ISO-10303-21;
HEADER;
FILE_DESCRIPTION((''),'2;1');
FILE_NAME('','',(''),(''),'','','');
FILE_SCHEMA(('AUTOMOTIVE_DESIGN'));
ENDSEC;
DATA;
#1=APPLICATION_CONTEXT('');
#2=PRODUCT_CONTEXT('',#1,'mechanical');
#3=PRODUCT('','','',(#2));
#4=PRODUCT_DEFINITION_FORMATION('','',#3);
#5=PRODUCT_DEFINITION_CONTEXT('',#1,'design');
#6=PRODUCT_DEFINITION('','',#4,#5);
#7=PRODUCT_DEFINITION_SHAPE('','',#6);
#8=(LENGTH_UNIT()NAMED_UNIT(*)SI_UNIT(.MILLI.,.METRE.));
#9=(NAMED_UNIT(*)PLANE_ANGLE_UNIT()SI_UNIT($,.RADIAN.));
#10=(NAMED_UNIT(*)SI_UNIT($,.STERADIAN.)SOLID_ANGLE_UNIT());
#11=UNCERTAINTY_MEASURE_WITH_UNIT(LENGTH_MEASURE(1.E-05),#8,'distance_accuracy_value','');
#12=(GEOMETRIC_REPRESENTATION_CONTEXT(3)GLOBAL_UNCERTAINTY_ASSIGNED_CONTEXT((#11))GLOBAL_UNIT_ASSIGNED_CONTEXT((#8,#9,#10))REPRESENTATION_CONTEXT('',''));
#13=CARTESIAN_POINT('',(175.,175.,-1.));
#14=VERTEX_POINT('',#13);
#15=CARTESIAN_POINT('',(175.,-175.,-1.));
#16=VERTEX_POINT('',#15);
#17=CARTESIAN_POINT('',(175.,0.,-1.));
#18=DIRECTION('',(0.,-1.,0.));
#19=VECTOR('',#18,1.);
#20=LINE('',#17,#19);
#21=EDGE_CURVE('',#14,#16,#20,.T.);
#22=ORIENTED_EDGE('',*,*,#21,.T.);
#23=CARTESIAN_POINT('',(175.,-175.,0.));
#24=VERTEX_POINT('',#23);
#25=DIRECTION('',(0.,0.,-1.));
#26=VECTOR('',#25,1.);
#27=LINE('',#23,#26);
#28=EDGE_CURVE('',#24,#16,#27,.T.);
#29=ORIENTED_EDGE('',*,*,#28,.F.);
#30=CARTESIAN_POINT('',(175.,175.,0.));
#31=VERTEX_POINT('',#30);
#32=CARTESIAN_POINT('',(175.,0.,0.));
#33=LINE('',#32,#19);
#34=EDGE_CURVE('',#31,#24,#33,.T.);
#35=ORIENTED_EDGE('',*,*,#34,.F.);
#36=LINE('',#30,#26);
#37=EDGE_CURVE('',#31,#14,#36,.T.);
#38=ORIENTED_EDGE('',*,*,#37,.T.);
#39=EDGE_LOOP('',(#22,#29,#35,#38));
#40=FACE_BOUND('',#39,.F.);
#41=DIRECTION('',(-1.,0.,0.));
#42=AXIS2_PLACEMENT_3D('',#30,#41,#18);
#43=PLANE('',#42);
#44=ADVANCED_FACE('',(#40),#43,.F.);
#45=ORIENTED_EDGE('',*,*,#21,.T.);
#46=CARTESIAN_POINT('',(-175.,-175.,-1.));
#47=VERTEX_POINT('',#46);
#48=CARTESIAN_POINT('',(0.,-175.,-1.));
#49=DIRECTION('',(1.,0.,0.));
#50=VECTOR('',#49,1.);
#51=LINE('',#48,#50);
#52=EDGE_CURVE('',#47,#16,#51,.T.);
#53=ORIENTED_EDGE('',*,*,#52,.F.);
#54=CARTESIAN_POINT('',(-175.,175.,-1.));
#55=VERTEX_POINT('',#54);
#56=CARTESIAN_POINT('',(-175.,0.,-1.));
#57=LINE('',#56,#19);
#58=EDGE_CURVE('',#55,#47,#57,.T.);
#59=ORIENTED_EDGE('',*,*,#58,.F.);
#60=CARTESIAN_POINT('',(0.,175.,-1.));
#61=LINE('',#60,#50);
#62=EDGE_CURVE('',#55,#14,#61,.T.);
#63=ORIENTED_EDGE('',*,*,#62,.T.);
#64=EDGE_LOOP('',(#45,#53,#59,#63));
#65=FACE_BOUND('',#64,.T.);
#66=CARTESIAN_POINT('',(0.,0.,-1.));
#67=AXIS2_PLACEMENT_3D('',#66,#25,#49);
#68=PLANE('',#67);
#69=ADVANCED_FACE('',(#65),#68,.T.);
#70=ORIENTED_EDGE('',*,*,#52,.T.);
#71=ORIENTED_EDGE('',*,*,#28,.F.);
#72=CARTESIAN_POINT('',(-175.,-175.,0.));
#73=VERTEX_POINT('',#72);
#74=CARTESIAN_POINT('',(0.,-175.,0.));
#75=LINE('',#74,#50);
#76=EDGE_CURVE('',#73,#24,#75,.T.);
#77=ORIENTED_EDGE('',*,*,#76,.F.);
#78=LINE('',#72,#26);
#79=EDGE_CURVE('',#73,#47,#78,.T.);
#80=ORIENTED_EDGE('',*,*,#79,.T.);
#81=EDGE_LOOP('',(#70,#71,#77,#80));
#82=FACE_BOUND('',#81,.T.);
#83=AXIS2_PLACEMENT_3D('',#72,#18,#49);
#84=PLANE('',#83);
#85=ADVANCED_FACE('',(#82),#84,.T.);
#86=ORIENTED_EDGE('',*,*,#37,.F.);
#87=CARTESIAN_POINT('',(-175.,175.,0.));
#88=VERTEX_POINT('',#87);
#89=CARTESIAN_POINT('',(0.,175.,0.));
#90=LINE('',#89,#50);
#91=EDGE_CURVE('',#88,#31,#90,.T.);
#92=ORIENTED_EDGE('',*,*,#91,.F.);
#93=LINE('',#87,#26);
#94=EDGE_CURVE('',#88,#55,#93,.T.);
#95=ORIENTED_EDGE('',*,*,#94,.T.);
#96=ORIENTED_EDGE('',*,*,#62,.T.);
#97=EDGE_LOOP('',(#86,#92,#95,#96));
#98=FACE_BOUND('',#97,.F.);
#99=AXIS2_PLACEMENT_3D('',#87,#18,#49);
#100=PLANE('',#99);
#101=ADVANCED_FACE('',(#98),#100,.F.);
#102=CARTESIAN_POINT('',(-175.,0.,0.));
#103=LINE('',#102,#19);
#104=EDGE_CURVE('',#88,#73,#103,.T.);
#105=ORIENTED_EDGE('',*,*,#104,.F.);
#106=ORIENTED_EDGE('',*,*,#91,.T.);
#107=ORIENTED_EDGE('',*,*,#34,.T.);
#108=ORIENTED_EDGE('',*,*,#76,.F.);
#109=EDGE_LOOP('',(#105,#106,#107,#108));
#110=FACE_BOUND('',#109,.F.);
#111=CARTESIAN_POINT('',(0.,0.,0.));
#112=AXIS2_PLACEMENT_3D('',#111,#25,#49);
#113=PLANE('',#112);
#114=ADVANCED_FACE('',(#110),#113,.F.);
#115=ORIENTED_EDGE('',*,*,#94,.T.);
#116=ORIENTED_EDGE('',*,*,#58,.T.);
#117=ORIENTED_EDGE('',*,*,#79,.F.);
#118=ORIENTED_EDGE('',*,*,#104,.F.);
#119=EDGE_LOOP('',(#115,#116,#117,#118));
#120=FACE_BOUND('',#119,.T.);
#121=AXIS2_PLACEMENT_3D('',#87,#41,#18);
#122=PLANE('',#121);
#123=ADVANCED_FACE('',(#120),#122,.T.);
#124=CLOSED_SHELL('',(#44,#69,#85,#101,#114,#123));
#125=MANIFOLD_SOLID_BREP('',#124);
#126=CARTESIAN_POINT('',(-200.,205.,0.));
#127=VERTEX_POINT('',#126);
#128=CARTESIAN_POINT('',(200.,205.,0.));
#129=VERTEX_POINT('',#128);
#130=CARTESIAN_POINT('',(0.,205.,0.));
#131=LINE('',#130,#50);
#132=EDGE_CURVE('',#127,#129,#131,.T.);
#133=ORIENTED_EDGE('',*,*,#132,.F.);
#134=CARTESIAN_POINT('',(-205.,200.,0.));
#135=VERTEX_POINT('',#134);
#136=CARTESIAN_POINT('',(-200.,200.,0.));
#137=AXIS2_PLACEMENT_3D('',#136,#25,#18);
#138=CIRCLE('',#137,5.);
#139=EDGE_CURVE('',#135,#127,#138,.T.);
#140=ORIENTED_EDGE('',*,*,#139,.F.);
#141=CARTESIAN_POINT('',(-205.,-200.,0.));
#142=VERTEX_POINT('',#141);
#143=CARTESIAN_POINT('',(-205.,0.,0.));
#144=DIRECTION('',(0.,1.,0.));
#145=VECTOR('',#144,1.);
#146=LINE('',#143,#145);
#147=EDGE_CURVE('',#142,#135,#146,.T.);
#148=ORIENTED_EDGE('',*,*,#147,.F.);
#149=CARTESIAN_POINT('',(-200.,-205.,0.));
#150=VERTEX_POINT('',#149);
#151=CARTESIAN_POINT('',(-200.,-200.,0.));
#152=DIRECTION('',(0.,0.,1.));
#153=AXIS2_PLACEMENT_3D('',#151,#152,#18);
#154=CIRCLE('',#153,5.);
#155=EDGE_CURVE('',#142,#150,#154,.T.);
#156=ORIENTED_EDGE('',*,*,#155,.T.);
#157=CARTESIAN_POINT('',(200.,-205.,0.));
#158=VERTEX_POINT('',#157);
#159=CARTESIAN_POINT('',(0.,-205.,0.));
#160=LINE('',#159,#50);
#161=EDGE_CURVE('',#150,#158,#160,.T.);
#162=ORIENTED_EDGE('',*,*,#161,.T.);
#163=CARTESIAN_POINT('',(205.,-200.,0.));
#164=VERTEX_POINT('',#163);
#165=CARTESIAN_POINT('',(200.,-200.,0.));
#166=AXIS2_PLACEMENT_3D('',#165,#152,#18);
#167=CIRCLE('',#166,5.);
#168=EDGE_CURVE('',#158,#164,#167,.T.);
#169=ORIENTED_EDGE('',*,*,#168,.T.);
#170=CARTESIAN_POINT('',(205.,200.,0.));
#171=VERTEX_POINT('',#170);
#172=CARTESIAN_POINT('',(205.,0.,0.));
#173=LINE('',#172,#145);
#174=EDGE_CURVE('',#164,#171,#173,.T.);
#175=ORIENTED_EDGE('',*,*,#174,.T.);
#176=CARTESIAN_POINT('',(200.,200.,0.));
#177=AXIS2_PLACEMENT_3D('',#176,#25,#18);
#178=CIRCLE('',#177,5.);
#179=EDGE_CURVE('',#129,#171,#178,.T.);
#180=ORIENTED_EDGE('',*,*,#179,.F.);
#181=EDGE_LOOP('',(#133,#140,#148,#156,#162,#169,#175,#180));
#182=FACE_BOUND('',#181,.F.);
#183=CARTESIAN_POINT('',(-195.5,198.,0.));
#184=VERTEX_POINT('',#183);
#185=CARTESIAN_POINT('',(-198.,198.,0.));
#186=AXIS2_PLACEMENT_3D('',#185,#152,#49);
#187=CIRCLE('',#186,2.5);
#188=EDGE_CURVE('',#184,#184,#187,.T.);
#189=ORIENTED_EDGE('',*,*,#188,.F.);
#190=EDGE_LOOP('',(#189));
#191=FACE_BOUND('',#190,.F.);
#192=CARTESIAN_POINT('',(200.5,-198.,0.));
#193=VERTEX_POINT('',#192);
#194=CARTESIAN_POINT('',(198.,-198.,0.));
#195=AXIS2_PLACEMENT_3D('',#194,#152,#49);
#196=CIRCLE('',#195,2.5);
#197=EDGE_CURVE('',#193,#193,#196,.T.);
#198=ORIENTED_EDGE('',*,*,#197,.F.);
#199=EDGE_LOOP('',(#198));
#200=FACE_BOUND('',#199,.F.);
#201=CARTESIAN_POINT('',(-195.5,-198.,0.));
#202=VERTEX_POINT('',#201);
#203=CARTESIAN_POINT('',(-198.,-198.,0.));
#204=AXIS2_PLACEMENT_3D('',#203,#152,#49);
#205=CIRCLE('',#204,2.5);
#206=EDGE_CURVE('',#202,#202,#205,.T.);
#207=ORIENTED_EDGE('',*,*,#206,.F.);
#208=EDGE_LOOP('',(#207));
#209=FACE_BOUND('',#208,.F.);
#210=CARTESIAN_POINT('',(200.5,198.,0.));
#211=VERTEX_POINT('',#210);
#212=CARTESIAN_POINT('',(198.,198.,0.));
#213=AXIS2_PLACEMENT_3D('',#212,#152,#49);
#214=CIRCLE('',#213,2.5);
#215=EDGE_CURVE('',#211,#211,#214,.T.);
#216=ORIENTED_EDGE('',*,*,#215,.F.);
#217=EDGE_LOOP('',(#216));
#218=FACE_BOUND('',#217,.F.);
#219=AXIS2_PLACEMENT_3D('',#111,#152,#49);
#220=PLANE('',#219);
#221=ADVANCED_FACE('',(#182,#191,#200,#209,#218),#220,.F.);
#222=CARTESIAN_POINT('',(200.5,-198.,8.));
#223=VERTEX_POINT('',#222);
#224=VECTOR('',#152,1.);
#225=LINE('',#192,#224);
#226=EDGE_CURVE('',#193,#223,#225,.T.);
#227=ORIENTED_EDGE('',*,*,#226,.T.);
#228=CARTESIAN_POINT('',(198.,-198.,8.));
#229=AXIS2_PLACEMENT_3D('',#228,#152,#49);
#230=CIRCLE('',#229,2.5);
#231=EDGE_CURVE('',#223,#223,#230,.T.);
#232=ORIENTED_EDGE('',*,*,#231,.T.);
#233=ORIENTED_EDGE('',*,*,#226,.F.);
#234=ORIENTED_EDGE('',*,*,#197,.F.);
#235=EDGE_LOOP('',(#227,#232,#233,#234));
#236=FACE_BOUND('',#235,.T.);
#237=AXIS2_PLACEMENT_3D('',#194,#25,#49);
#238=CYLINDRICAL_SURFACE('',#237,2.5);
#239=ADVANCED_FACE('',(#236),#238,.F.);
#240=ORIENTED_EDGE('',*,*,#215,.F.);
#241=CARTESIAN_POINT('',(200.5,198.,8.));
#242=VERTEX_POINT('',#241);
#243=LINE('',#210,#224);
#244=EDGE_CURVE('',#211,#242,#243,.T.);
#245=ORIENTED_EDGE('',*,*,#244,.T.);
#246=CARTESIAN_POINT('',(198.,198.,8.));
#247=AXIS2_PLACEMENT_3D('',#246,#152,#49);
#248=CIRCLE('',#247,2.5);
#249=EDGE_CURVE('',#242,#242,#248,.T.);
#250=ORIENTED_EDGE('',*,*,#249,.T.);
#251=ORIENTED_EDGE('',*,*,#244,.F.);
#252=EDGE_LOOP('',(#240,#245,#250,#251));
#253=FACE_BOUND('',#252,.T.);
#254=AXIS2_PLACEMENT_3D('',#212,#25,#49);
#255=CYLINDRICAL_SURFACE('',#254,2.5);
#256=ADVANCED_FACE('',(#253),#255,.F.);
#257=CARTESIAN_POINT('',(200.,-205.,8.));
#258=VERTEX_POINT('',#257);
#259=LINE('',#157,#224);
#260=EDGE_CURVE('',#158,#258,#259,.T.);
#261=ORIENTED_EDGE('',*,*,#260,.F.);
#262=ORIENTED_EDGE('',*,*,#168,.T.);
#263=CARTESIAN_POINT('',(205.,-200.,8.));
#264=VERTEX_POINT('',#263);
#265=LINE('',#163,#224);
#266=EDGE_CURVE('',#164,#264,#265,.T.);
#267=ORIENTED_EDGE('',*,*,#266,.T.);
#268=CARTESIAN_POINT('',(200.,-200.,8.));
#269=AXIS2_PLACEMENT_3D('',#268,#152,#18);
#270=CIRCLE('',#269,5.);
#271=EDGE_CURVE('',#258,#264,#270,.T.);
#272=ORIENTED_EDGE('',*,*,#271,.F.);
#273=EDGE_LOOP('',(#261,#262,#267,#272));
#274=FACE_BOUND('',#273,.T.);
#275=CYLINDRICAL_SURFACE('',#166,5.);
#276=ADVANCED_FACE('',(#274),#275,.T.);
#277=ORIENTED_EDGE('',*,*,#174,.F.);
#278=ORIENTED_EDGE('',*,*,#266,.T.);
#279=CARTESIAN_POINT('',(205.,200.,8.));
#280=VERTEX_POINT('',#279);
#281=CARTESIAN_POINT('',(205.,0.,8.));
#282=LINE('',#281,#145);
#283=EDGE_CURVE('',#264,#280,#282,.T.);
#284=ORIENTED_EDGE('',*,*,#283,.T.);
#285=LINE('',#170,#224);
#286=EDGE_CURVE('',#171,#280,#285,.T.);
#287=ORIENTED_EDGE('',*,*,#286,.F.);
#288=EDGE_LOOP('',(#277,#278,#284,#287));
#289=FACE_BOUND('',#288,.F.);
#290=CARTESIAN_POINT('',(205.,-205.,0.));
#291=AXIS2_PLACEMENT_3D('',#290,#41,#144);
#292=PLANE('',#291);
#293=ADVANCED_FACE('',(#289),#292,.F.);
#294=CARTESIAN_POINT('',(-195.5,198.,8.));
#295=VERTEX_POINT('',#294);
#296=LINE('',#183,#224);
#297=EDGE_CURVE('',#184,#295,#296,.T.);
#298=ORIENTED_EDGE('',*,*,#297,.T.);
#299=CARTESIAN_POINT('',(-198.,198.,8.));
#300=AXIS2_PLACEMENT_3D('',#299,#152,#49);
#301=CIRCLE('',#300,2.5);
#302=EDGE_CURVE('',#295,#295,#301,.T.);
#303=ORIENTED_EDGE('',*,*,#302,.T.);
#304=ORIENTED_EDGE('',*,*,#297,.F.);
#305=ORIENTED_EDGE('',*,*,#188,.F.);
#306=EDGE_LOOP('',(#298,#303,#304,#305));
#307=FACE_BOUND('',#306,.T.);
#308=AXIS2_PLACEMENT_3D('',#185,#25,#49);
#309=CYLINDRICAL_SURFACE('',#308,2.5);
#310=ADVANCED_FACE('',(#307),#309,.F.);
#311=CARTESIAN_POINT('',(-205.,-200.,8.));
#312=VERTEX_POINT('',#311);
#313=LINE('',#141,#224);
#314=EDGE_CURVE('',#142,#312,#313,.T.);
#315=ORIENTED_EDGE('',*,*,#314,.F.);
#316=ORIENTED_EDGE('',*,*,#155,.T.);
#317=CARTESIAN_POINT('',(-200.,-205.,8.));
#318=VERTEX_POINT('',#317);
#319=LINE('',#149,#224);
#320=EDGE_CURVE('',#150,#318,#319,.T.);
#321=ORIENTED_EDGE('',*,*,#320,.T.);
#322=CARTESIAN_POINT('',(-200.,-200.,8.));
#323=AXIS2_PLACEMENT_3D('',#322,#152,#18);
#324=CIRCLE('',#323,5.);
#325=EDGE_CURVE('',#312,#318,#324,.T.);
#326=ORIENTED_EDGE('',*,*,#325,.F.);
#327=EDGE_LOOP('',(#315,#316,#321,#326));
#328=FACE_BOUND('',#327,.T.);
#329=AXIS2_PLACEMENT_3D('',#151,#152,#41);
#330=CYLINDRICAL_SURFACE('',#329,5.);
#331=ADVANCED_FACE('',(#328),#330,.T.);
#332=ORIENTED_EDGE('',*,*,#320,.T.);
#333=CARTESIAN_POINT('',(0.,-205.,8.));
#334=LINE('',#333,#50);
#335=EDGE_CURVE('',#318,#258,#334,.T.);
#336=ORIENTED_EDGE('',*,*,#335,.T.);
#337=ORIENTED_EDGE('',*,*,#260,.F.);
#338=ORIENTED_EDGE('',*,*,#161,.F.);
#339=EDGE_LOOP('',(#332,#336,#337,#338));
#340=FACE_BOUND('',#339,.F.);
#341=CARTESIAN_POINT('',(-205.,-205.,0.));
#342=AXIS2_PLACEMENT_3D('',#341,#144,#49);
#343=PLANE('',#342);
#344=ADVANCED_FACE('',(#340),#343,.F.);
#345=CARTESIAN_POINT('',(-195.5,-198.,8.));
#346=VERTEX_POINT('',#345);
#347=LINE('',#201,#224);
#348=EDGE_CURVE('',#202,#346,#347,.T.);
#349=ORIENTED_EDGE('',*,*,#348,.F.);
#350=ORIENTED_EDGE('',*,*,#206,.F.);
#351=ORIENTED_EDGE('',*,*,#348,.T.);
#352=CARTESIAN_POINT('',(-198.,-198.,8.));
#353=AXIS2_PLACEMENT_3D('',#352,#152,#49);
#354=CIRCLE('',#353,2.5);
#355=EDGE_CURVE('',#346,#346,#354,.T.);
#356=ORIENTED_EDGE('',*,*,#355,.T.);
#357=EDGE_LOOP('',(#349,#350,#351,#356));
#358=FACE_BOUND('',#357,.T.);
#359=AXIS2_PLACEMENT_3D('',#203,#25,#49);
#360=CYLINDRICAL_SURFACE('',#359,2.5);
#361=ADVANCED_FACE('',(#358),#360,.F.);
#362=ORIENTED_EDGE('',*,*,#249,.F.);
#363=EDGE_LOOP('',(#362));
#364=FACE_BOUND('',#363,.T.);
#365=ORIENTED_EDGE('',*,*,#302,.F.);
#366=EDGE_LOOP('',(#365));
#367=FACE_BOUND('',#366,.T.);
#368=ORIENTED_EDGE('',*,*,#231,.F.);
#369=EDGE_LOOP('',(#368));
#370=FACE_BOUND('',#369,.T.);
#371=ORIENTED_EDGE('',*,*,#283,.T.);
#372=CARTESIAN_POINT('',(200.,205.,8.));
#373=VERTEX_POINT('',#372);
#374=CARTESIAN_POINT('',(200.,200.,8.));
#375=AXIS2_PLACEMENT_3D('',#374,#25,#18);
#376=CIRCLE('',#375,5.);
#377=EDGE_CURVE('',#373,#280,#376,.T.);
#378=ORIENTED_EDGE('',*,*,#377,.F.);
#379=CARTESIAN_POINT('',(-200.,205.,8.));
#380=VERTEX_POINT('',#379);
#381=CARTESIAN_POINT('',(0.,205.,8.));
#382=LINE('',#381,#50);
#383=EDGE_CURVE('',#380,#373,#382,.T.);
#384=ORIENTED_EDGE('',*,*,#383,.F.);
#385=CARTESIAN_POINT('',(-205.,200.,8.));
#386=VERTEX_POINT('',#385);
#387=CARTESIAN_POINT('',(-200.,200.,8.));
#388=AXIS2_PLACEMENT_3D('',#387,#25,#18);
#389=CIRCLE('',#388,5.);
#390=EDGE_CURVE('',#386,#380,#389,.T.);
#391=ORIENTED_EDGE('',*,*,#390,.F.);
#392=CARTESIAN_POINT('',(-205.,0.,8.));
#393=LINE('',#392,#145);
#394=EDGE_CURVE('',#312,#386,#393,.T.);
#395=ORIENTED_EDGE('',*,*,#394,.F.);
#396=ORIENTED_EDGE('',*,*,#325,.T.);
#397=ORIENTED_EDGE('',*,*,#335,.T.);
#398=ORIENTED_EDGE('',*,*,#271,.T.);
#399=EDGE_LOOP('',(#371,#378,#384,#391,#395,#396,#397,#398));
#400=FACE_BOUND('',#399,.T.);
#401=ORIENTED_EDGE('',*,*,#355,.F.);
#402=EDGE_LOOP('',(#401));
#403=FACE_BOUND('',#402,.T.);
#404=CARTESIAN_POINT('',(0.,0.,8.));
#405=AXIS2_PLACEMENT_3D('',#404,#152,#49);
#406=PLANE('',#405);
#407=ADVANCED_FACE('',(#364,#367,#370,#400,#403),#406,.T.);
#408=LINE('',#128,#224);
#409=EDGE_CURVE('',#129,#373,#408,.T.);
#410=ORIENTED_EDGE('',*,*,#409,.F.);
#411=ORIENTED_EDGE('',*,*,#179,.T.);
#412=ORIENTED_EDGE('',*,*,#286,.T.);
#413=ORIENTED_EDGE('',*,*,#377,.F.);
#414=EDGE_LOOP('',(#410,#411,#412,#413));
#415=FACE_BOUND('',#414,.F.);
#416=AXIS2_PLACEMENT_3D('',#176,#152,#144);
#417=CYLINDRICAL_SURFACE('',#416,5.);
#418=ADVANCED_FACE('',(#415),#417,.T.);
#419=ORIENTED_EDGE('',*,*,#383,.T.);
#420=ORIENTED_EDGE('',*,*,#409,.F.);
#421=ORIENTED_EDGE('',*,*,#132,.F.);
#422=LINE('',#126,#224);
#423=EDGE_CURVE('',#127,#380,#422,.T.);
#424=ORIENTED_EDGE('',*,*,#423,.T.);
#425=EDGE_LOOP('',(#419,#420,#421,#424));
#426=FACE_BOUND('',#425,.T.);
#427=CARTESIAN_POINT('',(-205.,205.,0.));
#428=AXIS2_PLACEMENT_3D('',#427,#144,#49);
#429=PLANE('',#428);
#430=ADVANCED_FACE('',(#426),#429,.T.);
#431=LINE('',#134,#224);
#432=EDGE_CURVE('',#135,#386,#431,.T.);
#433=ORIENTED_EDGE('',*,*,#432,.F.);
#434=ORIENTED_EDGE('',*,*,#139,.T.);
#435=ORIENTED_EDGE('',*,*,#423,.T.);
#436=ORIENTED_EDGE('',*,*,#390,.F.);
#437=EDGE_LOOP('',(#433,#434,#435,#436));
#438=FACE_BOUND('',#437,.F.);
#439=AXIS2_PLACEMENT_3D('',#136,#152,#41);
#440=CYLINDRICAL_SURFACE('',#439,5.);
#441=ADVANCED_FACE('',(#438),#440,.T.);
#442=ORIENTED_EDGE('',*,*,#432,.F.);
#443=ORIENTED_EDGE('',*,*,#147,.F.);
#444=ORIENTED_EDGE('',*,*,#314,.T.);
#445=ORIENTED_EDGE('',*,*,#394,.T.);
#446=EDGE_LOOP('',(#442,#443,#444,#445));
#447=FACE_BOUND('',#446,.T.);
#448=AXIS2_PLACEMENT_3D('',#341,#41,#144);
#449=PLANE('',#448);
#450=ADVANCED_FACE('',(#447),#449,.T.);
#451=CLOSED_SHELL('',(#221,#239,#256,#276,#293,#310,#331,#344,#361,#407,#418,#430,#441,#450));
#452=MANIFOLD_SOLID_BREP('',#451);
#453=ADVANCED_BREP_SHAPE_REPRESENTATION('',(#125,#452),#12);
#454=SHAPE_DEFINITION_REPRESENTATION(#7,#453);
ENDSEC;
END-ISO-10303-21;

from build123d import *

# Parameters (mm, degrees)
F0_W     = 410
F0_H     = 410
F0_R     = 2.5
F1_DEPTH = 8
F2_R     = 5
F3_W     = 350
F3_H     = 350
F4_DEPTH = 1


with BuildPart() as f1:
    # F0 (on Top) → F1 (new body)
    with BuildSketch(Plane.XY):
        Rectangle(F0_W, F0_H)
        with Locations((-198, -198)):
            Circle(F0_R, mode=Mode.SUBTRACT)
        with Locations((198, -198)):
            Circle(F0_R, mode=Mode.SUBTRACT)
        with Locations((-198, 198)):
            Circle(F0_R, mode=Mode.SUBTRACT)
        with Locations((198, 198)):
            Circle(F0_R, mode=Mode.SUBTRACT)
    extrude(amount=F1_DEPTH)

    # F2
    f2_edges = [f1.edges().sort_by_distance(p)[0] for p in [
        (-205, -205, 4),
        (205, -205, 4),
        (205, 205, 4),
        (-205, 205, 4),
    ]]
    fillet(f2_edges, radius=F2_R)


with BuildPart() as f4:
    # F3 (on face) → F4 (new body)
    with BuildSketch(Plane(origin=(0, 0, 0), x_dir=(1, 0, 0), z_dir=(0, 0, -1))):
        Rectangle(F3_W, F3_H)
    extrude(amount=F4_DEPTH)


solid = Compound([f1.part, f4.part])
